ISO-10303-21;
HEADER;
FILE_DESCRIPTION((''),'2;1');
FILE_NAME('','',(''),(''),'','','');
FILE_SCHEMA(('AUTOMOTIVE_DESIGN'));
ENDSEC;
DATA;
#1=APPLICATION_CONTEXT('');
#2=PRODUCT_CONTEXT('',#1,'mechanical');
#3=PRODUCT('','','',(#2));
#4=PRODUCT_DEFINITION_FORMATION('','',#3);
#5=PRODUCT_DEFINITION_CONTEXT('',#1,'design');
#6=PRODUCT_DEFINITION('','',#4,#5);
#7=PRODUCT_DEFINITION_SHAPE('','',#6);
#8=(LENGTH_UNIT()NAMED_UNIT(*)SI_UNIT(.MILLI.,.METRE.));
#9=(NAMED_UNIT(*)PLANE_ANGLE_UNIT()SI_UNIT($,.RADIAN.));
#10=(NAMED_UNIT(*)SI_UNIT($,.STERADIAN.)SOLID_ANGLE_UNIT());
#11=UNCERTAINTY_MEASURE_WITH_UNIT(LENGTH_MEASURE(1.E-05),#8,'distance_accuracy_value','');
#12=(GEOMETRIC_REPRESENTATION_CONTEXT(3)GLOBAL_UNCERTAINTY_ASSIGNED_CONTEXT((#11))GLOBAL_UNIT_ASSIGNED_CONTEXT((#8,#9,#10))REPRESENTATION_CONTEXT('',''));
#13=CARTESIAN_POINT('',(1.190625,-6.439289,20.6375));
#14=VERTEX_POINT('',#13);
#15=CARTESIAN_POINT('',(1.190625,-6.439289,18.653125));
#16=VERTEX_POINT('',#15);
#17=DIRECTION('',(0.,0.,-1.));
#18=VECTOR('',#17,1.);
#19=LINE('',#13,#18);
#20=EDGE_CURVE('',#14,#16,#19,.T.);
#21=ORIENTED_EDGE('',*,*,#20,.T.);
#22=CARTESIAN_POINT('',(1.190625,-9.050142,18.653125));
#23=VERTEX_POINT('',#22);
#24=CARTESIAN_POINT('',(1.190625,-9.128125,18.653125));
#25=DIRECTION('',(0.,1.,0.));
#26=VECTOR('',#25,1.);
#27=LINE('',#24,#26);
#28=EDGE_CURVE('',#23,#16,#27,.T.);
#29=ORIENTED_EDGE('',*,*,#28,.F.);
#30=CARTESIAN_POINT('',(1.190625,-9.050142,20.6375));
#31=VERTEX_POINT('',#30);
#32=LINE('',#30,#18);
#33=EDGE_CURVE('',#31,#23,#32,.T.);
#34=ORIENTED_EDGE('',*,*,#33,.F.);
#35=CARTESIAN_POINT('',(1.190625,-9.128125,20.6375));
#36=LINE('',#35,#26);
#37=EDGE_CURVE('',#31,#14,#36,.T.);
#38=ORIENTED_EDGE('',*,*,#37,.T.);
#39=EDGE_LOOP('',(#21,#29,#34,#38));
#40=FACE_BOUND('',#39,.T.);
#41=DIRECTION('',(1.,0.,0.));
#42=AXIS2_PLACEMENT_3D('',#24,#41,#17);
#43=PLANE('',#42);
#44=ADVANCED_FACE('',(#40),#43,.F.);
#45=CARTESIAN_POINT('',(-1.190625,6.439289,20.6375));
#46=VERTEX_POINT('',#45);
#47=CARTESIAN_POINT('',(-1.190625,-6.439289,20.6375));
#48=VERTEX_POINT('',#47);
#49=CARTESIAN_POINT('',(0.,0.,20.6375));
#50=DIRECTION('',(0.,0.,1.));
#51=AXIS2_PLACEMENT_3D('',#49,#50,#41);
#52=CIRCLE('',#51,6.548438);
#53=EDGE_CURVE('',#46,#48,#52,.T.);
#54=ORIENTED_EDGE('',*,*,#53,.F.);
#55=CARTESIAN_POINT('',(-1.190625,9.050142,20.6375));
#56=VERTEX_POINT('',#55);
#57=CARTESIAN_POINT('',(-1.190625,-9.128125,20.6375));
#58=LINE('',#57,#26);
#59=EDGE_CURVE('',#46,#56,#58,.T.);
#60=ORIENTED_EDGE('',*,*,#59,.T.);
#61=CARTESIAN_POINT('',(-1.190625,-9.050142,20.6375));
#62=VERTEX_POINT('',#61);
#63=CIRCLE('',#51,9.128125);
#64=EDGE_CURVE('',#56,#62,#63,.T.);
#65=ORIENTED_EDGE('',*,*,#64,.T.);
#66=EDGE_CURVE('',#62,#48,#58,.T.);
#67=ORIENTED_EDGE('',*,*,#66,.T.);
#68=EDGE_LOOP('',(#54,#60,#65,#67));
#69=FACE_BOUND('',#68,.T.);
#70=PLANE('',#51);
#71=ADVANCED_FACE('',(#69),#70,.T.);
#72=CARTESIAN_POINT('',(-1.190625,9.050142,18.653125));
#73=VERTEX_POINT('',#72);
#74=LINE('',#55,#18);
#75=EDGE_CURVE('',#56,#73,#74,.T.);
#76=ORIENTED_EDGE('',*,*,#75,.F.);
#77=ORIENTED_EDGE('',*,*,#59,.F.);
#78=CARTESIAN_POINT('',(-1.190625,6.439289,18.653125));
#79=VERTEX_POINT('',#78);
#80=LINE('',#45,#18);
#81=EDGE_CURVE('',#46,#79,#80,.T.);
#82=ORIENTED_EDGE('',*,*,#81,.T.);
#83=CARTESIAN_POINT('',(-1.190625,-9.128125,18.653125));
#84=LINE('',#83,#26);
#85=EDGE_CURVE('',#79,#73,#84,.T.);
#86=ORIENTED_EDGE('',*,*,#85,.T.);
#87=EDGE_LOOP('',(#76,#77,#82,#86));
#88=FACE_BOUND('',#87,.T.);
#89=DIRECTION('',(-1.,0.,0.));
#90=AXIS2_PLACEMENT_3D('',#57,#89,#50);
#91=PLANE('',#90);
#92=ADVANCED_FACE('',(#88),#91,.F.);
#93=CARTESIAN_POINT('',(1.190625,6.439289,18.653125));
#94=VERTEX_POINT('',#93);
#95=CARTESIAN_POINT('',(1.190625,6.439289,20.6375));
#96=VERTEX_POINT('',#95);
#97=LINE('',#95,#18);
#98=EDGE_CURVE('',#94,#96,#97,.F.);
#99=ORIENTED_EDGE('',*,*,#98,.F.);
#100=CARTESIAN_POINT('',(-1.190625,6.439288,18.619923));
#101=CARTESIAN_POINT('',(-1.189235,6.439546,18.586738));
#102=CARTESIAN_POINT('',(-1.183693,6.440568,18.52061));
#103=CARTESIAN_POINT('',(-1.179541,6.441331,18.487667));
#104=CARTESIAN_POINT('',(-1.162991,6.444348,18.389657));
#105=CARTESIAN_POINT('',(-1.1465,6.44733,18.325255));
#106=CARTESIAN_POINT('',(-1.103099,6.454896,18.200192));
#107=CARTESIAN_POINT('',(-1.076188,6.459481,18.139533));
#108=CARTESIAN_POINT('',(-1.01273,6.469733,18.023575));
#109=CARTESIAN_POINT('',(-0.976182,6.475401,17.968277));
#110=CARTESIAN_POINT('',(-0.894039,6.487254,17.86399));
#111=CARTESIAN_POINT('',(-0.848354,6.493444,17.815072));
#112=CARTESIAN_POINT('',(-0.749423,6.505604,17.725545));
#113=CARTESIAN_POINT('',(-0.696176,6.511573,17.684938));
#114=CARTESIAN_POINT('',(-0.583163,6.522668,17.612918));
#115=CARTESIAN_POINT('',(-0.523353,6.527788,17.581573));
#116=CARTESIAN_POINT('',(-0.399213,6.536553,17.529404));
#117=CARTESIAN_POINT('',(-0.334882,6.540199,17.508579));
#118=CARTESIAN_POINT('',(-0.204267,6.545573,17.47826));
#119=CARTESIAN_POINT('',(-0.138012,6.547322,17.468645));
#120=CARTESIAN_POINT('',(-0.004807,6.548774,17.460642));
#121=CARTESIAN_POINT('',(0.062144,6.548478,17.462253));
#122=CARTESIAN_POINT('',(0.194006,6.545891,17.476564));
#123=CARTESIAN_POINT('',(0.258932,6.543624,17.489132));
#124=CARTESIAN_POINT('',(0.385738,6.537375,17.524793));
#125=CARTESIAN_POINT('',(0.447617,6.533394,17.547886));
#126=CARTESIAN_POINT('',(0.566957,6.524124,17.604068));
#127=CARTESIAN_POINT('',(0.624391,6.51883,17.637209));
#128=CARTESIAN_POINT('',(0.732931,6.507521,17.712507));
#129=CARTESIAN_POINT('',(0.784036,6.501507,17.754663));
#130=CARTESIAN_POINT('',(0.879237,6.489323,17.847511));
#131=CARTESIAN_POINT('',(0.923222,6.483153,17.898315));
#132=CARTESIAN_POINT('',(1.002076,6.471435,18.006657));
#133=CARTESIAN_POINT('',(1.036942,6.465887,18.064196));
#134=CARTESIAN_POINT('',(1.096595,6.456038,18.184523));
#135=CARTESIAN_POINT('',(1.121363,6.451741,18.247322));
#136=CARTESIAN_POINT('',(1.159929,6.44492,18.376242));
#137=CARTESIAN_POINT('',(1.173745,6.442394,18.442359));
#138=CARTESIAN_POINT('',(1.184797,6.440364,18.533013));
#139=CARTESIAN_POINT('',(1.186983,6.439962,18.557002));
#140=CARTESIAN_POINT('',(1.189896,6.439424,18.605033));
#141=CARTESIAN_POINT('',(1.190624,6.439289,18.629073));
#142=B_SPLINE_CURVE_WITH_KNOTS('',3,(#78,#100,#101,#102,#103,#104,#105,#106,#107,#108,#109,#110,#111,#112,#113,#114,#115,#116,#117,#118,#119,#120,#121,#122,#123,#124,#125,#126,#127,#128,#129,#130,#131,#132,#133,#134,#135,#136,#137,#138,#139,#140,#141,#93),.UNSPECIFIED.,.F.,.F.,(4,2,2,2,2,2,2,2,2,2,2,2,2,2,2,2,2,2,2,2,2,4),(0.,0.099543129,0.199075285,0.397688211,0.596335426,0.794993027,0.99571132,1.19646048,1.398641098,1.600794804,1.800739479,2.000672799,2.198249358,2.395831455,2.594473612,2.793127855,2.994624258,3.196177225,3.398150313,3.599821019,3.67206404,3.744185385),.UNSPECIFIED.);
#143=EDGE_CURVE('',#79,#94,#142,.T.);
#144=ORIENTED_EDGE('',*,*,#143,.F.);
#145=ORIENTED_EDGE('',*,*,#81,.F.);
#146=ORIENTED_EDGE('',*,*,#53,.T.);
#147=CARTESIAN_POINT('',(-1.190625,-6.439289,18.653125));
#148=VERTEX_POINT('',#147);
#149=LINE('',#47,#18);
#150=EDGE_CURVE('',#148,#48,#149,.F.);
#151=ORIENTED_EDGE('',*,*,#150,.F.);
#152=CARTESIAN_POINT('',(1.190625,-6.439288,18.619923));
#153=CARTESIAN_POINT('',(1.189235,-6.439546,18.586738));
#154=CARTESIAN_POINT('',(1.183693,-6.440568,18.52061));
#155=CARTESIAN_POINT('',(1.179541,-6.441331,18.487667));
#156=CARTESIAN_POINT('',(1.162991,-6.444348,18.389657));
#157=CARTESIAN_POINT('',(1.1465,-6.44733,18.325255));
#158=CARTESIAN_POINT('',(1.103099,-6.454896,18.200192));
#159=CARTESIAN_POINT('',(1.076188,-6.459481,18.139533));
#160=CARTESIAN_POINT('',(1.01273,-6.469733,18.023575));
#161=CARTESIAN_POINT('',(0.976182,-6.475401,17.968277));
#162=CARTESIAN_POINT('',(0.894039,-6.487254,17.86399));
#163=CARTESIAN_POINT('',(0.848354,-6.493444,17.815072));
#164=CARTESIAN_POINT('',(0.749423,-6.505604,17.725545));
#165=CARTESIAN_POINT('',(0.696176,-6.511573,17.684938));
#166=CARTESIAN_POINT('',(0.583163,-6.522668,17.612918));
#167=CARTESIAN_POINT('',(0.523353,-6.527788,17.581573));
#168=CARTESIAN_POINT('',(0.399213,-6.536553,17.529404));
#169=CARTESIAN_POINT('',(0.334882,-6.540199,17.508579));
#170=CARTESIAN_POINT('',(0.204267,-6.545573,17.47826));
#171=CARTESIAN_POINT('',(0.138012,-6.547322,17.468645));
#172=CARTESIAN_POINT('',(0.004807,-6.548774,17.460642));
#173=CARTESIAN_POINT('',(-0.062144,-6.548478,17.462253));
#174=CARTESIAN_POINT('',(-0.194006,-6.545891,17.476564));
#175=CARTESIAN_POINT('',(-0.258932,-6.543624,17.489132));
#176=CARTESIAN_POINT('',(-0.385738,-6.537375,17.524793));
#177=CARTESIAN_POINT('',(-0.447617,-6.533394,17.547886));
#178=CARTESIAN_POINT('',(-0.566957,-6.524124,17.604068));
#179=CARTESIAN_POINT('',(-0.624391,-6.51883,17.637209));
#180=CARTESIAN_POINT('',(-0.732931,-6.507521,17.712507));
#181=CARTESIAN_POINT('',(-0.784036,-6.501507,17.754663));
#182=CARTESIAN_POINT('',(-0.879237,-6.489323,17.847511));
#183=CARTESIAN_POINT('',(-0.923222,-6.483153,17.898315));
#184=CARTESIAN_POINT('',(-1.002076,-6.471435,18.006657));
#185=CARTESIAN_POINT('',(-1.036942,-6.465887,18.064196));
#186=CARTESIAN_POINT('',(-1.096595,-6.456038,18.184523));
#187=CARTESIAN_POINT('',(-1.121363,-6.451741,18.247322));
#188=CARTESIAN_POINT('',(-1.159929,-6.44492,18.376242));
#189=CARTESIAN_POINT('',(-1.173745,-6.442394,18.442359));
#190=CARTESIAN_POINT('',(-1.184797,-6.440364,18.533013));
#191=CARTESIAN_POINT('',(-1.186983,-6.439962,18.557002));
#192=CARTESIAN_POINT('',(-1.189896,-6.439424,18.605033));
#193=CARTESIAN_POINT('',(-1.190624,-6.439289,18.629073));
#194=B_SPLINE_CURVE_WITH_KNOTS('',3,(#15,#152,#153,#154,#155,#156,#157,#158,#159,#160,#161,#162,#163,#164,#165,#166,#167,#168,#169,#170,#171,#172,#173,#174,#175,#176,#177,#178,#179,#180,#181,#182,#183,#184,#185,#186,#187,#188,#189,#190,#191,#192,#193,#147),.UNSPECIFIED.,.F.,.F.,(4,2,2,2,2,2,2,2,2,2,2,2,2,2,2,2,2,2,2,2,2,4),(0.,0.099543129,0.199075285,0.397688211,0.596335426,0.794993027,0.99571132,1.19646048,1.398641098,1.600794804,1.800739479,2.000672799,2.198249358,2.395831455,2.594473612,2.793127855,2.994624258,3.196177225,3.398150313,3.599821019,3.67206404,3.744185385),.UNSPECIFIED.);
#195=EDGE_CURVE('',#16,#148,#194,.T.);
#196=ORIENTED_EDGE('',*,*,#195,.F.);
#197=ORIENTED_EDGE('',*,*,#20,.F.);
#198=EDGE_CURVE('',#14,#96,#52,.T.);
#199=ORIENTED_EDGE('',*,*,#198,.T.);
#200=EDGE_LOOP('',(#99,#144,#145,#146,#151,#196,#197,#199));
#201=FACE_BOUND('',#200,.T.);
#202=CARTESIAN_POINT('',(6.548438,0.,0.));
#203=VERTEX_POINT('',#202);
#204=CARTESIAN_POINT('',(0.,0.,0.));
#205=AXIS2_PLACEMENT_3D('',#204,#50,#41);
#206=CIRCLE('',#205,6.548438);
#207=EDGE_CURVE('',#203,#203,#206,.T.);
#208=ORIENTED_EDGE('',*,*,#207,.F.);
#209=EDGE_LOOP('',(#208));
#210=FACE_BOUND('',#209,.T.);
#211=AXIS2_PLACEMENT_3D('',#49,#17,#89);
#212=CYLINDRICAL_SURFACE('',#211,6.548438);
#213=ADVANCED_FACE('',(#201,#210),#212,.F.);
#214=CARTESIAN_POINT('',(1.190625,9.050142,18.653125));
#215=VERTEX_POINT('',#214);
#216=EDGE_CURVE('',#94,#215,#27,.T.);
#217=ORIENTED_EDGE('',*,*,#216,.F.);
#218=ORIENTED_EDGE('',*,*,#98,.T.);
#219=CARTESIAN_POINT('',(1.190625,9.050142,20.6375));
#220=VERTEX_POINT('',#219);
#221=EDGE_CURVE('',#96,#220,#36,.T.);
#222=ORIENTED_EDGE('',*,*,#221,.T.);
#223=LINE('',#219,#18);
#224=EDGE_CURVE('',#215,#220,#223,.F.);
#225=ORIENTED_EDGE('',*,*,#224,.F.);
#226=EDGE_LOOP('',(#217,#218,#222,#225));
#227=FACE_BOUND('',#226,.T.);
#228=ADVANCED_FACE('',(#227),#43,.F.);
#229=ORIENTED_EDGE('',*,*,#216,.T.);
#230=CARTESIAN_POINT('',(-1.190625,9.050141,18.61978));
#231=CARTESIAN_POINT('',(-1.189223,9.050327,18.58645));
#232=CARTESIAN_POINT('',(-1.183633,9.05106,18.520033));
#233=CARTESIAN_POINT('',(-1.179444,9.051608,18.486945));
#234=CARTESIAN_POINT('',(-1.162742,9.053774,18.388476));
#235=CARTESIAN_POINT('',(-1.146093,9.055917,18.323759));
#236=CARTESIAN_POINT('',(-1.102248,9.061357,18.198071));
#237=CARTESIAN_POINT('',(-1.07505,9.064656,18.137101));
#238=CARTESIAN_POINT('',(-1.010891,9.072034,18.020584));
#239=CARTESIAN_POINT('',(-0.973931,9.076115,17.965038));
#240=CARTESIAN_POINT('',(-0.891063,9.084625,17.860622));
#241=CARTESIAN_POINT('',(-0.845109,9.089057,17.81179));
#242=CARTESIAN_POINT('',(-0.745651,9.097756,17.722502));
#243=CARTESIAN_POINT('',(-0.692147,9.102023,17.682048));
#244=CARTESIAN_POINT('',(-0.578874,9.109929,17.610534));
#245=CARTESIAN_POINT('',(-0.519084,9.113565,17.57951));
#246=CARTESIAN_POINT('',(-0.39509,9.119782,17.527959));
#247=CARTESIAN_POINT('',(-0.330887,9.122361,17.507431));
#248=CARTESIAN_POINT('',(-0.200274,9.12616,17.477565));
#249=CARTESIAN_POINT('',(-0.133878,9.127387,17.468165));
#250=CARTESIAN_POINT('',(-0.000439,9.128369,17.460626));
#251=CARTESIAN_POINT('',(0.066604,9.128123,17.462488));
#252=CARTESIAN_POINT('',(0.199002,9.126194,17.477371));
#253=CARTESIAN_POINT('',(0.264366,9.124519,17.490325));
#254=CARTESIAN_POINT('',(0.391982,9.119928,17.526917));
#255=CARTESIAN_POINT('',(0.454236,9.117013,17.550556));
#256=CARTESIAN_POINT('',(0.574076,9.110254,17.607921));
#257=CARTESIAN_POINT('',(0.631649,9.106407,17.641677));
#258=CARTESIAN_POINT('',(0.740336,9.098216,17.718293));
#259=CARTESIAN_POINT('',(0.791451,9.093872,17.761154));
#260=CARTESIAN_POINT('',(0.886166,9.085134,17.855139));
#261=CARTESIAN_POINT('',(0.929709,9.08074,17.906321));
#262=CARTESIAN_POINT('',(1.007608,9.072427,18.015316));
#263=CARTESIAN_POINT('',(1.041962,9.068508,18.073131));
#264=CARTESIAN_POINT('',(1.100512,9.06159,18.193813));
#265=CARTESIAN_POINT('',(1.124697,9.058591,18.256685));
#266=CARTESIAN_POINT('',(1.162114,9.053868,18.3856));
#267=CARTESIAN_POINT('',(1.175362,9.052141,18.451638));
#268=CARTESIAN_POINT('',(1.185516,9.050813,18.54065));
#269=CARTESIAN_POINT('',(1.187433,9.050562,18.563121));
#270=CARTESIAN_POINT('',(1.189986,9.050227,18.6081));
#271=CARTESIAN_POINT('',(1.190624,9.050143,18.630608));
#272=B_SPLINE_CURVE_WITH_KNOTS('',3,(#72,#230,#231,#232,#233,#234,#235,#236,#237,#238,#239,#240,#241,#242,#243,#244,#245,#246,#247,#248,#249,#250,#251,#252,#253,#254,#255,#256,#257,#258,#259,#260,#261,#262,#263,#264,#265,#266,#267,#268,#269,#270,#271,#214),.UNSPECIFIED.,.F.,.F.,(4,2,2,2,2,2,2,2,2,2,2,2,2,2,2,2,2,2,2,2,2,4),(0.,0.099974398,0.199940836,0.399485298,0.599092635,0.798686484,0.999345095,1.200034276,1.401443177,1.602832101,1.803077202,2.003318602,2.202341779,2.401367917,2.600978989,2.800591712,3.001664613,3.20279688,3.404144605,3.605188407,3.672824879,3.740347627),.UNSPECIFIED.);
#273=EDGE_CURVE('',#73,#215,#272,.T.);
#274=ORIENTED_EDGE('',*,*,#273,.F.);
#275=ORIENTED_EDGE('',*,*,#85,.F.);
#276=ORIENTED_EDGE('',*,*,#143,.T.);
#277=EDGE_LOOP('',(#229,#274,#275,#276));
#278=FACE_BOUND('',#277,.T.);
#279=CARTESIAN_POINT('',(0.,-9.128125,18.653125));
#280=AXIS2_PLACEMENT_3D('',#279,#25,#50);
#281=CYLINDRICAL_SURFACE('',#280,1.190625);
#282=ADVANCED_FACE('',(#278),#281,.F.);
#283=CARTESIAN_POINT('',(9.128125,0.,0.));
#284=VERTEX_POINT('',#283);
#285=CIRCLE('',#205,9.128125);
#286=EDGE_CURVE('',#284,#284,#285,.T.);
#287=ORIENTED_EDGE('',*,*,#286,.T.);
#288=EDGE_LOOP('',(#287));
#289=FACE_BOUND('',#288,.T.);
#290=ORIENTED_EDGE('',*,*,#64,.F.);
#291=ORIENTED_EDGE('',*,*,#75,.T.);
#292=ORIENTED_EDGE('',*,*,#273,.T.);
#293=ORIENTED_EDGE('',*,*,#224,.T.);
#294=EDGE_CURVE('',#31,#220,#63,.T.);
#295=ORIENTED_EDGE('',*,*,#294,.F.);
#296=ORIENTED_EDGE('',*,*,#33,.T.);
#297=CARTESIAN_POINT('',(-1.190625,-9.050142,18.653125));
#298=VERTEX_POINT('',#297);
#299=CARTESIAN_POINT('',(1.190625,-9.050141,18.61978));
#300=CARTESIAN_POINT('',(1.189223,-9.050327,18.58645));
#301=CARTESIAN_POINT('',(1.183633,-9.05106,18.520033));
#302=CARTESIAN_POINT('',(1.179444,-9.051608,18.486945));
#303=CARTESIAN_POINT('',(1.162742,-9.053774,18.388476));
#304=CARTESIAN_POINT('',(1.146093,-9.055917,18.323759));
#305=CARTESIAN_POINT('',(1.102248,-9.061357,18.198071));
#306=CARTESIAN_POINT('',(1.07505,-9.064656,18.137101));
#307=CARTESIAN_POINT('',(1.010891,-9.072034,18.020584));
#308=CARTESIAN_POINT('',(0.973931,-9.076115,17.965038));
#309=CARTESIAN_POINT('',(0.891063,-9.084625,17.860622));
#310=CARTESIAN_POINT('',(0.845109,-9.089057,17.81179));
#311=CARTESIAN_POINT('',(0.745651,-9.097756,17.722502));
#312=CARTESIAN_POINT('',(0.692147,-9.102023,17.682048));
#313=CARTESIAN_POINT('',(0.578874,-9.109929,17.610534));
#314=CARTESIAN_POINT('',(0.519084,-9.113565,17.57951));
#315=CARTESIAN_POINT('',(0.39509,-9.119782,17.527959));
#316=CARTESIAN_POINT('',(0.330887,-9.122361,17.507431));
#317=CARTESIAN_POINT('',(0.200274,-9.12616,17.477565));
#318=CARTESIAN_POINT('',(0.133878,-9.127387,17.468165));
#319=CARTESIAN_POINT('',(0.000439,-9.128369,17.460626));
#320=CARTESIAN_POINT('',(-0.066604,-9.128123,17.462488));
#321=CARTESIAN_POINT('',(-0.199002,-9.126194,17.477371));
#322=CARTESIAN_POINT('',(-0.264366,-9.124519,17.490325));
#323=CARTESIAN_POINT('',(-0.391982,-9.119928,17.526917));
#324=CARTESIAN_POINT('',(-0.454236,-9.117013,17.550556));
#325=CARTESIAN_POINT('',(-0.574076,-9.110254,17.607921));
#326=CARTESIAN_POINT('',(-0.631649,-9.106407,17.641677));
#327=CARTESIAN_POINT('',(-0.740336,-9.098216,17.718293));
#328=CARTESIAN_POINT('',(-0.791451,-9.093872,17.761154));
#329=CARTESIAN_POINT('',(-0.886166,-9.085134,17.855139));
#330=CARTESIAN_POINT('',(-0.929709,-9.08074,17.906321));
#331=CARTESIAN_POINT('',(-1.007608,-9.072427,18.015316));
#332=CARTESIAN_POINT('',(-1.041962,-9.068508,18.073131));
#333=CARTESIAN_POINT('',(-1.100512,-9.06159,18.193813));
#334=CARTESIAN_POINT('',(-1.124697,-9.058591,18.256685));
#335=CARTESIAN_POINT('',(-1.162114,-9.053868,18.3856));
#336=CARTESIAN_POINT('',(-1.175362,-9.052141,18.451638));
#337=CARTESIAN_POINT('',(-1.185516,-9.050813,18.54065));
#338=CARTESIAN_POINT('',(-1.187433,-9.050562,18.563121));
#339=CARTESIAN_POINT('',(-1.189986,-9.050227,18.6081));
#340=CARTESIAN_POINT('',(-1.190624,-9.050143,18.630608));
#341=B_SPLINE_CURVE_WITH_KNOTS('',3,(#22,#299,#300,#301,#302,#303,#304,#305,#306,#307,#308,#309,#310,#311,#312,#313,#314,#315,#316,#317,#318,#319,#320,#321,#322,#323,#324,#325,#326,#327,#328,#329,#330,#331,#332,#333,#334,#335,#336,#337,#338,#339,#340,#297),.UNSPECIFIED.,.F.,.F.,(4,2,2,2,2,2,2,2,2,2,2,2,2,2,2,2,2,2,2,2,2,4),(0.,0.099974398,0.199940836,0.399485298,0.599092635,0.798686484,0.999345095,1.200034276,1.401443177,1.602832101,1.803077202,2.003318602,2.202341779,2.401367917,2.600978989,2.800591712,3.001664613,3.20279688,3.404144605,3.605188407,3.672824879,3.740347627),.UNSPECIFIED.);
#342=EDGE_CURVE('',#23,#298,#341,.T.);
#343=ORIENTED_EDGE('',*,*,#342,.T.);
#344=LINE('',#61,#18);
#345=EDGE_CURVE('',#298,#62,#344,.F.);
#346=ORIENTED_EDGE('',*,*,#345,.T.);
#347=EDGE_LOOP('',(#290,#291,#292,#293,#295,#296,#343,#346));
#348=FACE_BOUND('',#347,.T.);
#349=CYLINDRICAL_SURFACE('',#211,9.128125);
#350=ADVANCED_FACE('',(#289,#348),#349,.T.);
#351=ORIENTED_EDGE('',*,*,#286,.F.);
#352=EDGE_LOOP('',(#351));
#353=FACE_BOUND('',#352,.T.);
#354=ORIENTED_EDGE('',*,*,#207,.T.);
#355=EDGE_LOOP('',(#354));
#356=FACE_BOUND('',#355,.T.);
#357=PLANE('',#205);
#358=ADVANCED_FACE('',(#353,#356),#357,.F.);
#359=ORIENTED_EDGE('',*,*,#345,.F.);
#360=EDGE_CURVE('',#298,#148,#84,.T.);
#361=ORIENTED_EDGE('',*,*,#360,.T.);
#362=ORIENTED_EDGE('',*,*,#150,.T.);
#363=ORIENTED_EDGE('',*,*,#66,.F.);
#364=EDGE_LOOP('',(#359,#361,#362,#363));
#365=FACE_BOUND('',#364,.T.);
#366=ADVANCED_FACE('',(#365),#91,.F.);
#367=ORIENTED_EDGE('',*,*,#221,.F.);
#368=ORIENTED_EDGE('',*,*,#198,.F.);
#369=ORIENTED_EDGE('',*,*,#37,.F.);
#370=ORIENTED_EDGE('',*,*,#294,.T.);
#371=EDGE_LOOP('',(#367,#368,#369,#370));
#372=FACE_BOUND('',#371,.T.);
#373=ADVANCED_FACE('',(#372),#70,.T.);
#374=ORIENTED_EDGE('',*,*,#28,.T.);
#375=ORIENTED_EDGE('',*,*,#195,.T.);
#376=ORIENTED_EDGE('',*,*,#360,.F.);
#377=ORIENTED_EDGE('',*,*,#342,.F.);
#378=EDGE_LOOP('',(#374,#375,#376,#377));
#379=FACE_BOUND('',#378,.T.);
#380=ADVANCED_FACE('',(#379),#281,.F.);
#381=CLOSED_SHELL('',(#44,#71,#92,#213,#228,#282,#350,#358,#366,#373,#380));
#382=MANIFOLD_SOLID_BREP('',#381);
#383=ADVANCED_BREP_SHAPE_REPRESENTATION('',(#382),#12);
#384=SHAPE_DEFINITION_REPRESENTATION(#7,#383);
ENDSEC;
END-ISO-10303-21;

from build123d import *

# Parameters (mm, degrees)
SKETCH1_R               = 9.128125
SKETCH1_R_2             = 6.5484375
EXTRUDE1_DEPTH          = 20.6375
CUT_EXTRUDE1_DEPTH      = 10.128125
CUT_EXTRUDE1_DEPTH_BACK = 10.128125


with BuildPart() as part:
    # Sketch1 → Extrude1 (new body)
    with BuildSketch(Plane.XY):
        Circle(SKETCH1_R)
        Circle(SKETCH1_R_2, mode=Mode.SUBTRACT)
    extrude(amount=EXTRUDE1_DEPTH)

    # Sketch2 → Cut-Extrude1 (cut, two sides)
    with BuildSketch(Plane(origin=(0, 0, 0), x_dir=(1, 0, 0), z_dir=(0, 1, 0))) as cut_extrude1_sk:
        with BuildLine():
            Line((-1.190625, -20.6375), (-1.190625, -18.653125))
            ThreePointArc((-1.190625, -18.653125), (0, -17.4625), (1.190625, -18.653125))
            Line((1.190625, -18.653125), (1.190625, -20.6375))
            Line((1.190625, -20.6375), (-1.190625, -20.6375))
        make_face()
    extrude(amount=CUT_EXTRUDE1_DEPTH, mode=Mode.SUBTRACT)
    extrude(cut_extrude1_sk.sketch, amount=-CUT_EXTRUDE1_DEPTH_BACK, mode=Mode.SUBTRACT)


solid = part.part
